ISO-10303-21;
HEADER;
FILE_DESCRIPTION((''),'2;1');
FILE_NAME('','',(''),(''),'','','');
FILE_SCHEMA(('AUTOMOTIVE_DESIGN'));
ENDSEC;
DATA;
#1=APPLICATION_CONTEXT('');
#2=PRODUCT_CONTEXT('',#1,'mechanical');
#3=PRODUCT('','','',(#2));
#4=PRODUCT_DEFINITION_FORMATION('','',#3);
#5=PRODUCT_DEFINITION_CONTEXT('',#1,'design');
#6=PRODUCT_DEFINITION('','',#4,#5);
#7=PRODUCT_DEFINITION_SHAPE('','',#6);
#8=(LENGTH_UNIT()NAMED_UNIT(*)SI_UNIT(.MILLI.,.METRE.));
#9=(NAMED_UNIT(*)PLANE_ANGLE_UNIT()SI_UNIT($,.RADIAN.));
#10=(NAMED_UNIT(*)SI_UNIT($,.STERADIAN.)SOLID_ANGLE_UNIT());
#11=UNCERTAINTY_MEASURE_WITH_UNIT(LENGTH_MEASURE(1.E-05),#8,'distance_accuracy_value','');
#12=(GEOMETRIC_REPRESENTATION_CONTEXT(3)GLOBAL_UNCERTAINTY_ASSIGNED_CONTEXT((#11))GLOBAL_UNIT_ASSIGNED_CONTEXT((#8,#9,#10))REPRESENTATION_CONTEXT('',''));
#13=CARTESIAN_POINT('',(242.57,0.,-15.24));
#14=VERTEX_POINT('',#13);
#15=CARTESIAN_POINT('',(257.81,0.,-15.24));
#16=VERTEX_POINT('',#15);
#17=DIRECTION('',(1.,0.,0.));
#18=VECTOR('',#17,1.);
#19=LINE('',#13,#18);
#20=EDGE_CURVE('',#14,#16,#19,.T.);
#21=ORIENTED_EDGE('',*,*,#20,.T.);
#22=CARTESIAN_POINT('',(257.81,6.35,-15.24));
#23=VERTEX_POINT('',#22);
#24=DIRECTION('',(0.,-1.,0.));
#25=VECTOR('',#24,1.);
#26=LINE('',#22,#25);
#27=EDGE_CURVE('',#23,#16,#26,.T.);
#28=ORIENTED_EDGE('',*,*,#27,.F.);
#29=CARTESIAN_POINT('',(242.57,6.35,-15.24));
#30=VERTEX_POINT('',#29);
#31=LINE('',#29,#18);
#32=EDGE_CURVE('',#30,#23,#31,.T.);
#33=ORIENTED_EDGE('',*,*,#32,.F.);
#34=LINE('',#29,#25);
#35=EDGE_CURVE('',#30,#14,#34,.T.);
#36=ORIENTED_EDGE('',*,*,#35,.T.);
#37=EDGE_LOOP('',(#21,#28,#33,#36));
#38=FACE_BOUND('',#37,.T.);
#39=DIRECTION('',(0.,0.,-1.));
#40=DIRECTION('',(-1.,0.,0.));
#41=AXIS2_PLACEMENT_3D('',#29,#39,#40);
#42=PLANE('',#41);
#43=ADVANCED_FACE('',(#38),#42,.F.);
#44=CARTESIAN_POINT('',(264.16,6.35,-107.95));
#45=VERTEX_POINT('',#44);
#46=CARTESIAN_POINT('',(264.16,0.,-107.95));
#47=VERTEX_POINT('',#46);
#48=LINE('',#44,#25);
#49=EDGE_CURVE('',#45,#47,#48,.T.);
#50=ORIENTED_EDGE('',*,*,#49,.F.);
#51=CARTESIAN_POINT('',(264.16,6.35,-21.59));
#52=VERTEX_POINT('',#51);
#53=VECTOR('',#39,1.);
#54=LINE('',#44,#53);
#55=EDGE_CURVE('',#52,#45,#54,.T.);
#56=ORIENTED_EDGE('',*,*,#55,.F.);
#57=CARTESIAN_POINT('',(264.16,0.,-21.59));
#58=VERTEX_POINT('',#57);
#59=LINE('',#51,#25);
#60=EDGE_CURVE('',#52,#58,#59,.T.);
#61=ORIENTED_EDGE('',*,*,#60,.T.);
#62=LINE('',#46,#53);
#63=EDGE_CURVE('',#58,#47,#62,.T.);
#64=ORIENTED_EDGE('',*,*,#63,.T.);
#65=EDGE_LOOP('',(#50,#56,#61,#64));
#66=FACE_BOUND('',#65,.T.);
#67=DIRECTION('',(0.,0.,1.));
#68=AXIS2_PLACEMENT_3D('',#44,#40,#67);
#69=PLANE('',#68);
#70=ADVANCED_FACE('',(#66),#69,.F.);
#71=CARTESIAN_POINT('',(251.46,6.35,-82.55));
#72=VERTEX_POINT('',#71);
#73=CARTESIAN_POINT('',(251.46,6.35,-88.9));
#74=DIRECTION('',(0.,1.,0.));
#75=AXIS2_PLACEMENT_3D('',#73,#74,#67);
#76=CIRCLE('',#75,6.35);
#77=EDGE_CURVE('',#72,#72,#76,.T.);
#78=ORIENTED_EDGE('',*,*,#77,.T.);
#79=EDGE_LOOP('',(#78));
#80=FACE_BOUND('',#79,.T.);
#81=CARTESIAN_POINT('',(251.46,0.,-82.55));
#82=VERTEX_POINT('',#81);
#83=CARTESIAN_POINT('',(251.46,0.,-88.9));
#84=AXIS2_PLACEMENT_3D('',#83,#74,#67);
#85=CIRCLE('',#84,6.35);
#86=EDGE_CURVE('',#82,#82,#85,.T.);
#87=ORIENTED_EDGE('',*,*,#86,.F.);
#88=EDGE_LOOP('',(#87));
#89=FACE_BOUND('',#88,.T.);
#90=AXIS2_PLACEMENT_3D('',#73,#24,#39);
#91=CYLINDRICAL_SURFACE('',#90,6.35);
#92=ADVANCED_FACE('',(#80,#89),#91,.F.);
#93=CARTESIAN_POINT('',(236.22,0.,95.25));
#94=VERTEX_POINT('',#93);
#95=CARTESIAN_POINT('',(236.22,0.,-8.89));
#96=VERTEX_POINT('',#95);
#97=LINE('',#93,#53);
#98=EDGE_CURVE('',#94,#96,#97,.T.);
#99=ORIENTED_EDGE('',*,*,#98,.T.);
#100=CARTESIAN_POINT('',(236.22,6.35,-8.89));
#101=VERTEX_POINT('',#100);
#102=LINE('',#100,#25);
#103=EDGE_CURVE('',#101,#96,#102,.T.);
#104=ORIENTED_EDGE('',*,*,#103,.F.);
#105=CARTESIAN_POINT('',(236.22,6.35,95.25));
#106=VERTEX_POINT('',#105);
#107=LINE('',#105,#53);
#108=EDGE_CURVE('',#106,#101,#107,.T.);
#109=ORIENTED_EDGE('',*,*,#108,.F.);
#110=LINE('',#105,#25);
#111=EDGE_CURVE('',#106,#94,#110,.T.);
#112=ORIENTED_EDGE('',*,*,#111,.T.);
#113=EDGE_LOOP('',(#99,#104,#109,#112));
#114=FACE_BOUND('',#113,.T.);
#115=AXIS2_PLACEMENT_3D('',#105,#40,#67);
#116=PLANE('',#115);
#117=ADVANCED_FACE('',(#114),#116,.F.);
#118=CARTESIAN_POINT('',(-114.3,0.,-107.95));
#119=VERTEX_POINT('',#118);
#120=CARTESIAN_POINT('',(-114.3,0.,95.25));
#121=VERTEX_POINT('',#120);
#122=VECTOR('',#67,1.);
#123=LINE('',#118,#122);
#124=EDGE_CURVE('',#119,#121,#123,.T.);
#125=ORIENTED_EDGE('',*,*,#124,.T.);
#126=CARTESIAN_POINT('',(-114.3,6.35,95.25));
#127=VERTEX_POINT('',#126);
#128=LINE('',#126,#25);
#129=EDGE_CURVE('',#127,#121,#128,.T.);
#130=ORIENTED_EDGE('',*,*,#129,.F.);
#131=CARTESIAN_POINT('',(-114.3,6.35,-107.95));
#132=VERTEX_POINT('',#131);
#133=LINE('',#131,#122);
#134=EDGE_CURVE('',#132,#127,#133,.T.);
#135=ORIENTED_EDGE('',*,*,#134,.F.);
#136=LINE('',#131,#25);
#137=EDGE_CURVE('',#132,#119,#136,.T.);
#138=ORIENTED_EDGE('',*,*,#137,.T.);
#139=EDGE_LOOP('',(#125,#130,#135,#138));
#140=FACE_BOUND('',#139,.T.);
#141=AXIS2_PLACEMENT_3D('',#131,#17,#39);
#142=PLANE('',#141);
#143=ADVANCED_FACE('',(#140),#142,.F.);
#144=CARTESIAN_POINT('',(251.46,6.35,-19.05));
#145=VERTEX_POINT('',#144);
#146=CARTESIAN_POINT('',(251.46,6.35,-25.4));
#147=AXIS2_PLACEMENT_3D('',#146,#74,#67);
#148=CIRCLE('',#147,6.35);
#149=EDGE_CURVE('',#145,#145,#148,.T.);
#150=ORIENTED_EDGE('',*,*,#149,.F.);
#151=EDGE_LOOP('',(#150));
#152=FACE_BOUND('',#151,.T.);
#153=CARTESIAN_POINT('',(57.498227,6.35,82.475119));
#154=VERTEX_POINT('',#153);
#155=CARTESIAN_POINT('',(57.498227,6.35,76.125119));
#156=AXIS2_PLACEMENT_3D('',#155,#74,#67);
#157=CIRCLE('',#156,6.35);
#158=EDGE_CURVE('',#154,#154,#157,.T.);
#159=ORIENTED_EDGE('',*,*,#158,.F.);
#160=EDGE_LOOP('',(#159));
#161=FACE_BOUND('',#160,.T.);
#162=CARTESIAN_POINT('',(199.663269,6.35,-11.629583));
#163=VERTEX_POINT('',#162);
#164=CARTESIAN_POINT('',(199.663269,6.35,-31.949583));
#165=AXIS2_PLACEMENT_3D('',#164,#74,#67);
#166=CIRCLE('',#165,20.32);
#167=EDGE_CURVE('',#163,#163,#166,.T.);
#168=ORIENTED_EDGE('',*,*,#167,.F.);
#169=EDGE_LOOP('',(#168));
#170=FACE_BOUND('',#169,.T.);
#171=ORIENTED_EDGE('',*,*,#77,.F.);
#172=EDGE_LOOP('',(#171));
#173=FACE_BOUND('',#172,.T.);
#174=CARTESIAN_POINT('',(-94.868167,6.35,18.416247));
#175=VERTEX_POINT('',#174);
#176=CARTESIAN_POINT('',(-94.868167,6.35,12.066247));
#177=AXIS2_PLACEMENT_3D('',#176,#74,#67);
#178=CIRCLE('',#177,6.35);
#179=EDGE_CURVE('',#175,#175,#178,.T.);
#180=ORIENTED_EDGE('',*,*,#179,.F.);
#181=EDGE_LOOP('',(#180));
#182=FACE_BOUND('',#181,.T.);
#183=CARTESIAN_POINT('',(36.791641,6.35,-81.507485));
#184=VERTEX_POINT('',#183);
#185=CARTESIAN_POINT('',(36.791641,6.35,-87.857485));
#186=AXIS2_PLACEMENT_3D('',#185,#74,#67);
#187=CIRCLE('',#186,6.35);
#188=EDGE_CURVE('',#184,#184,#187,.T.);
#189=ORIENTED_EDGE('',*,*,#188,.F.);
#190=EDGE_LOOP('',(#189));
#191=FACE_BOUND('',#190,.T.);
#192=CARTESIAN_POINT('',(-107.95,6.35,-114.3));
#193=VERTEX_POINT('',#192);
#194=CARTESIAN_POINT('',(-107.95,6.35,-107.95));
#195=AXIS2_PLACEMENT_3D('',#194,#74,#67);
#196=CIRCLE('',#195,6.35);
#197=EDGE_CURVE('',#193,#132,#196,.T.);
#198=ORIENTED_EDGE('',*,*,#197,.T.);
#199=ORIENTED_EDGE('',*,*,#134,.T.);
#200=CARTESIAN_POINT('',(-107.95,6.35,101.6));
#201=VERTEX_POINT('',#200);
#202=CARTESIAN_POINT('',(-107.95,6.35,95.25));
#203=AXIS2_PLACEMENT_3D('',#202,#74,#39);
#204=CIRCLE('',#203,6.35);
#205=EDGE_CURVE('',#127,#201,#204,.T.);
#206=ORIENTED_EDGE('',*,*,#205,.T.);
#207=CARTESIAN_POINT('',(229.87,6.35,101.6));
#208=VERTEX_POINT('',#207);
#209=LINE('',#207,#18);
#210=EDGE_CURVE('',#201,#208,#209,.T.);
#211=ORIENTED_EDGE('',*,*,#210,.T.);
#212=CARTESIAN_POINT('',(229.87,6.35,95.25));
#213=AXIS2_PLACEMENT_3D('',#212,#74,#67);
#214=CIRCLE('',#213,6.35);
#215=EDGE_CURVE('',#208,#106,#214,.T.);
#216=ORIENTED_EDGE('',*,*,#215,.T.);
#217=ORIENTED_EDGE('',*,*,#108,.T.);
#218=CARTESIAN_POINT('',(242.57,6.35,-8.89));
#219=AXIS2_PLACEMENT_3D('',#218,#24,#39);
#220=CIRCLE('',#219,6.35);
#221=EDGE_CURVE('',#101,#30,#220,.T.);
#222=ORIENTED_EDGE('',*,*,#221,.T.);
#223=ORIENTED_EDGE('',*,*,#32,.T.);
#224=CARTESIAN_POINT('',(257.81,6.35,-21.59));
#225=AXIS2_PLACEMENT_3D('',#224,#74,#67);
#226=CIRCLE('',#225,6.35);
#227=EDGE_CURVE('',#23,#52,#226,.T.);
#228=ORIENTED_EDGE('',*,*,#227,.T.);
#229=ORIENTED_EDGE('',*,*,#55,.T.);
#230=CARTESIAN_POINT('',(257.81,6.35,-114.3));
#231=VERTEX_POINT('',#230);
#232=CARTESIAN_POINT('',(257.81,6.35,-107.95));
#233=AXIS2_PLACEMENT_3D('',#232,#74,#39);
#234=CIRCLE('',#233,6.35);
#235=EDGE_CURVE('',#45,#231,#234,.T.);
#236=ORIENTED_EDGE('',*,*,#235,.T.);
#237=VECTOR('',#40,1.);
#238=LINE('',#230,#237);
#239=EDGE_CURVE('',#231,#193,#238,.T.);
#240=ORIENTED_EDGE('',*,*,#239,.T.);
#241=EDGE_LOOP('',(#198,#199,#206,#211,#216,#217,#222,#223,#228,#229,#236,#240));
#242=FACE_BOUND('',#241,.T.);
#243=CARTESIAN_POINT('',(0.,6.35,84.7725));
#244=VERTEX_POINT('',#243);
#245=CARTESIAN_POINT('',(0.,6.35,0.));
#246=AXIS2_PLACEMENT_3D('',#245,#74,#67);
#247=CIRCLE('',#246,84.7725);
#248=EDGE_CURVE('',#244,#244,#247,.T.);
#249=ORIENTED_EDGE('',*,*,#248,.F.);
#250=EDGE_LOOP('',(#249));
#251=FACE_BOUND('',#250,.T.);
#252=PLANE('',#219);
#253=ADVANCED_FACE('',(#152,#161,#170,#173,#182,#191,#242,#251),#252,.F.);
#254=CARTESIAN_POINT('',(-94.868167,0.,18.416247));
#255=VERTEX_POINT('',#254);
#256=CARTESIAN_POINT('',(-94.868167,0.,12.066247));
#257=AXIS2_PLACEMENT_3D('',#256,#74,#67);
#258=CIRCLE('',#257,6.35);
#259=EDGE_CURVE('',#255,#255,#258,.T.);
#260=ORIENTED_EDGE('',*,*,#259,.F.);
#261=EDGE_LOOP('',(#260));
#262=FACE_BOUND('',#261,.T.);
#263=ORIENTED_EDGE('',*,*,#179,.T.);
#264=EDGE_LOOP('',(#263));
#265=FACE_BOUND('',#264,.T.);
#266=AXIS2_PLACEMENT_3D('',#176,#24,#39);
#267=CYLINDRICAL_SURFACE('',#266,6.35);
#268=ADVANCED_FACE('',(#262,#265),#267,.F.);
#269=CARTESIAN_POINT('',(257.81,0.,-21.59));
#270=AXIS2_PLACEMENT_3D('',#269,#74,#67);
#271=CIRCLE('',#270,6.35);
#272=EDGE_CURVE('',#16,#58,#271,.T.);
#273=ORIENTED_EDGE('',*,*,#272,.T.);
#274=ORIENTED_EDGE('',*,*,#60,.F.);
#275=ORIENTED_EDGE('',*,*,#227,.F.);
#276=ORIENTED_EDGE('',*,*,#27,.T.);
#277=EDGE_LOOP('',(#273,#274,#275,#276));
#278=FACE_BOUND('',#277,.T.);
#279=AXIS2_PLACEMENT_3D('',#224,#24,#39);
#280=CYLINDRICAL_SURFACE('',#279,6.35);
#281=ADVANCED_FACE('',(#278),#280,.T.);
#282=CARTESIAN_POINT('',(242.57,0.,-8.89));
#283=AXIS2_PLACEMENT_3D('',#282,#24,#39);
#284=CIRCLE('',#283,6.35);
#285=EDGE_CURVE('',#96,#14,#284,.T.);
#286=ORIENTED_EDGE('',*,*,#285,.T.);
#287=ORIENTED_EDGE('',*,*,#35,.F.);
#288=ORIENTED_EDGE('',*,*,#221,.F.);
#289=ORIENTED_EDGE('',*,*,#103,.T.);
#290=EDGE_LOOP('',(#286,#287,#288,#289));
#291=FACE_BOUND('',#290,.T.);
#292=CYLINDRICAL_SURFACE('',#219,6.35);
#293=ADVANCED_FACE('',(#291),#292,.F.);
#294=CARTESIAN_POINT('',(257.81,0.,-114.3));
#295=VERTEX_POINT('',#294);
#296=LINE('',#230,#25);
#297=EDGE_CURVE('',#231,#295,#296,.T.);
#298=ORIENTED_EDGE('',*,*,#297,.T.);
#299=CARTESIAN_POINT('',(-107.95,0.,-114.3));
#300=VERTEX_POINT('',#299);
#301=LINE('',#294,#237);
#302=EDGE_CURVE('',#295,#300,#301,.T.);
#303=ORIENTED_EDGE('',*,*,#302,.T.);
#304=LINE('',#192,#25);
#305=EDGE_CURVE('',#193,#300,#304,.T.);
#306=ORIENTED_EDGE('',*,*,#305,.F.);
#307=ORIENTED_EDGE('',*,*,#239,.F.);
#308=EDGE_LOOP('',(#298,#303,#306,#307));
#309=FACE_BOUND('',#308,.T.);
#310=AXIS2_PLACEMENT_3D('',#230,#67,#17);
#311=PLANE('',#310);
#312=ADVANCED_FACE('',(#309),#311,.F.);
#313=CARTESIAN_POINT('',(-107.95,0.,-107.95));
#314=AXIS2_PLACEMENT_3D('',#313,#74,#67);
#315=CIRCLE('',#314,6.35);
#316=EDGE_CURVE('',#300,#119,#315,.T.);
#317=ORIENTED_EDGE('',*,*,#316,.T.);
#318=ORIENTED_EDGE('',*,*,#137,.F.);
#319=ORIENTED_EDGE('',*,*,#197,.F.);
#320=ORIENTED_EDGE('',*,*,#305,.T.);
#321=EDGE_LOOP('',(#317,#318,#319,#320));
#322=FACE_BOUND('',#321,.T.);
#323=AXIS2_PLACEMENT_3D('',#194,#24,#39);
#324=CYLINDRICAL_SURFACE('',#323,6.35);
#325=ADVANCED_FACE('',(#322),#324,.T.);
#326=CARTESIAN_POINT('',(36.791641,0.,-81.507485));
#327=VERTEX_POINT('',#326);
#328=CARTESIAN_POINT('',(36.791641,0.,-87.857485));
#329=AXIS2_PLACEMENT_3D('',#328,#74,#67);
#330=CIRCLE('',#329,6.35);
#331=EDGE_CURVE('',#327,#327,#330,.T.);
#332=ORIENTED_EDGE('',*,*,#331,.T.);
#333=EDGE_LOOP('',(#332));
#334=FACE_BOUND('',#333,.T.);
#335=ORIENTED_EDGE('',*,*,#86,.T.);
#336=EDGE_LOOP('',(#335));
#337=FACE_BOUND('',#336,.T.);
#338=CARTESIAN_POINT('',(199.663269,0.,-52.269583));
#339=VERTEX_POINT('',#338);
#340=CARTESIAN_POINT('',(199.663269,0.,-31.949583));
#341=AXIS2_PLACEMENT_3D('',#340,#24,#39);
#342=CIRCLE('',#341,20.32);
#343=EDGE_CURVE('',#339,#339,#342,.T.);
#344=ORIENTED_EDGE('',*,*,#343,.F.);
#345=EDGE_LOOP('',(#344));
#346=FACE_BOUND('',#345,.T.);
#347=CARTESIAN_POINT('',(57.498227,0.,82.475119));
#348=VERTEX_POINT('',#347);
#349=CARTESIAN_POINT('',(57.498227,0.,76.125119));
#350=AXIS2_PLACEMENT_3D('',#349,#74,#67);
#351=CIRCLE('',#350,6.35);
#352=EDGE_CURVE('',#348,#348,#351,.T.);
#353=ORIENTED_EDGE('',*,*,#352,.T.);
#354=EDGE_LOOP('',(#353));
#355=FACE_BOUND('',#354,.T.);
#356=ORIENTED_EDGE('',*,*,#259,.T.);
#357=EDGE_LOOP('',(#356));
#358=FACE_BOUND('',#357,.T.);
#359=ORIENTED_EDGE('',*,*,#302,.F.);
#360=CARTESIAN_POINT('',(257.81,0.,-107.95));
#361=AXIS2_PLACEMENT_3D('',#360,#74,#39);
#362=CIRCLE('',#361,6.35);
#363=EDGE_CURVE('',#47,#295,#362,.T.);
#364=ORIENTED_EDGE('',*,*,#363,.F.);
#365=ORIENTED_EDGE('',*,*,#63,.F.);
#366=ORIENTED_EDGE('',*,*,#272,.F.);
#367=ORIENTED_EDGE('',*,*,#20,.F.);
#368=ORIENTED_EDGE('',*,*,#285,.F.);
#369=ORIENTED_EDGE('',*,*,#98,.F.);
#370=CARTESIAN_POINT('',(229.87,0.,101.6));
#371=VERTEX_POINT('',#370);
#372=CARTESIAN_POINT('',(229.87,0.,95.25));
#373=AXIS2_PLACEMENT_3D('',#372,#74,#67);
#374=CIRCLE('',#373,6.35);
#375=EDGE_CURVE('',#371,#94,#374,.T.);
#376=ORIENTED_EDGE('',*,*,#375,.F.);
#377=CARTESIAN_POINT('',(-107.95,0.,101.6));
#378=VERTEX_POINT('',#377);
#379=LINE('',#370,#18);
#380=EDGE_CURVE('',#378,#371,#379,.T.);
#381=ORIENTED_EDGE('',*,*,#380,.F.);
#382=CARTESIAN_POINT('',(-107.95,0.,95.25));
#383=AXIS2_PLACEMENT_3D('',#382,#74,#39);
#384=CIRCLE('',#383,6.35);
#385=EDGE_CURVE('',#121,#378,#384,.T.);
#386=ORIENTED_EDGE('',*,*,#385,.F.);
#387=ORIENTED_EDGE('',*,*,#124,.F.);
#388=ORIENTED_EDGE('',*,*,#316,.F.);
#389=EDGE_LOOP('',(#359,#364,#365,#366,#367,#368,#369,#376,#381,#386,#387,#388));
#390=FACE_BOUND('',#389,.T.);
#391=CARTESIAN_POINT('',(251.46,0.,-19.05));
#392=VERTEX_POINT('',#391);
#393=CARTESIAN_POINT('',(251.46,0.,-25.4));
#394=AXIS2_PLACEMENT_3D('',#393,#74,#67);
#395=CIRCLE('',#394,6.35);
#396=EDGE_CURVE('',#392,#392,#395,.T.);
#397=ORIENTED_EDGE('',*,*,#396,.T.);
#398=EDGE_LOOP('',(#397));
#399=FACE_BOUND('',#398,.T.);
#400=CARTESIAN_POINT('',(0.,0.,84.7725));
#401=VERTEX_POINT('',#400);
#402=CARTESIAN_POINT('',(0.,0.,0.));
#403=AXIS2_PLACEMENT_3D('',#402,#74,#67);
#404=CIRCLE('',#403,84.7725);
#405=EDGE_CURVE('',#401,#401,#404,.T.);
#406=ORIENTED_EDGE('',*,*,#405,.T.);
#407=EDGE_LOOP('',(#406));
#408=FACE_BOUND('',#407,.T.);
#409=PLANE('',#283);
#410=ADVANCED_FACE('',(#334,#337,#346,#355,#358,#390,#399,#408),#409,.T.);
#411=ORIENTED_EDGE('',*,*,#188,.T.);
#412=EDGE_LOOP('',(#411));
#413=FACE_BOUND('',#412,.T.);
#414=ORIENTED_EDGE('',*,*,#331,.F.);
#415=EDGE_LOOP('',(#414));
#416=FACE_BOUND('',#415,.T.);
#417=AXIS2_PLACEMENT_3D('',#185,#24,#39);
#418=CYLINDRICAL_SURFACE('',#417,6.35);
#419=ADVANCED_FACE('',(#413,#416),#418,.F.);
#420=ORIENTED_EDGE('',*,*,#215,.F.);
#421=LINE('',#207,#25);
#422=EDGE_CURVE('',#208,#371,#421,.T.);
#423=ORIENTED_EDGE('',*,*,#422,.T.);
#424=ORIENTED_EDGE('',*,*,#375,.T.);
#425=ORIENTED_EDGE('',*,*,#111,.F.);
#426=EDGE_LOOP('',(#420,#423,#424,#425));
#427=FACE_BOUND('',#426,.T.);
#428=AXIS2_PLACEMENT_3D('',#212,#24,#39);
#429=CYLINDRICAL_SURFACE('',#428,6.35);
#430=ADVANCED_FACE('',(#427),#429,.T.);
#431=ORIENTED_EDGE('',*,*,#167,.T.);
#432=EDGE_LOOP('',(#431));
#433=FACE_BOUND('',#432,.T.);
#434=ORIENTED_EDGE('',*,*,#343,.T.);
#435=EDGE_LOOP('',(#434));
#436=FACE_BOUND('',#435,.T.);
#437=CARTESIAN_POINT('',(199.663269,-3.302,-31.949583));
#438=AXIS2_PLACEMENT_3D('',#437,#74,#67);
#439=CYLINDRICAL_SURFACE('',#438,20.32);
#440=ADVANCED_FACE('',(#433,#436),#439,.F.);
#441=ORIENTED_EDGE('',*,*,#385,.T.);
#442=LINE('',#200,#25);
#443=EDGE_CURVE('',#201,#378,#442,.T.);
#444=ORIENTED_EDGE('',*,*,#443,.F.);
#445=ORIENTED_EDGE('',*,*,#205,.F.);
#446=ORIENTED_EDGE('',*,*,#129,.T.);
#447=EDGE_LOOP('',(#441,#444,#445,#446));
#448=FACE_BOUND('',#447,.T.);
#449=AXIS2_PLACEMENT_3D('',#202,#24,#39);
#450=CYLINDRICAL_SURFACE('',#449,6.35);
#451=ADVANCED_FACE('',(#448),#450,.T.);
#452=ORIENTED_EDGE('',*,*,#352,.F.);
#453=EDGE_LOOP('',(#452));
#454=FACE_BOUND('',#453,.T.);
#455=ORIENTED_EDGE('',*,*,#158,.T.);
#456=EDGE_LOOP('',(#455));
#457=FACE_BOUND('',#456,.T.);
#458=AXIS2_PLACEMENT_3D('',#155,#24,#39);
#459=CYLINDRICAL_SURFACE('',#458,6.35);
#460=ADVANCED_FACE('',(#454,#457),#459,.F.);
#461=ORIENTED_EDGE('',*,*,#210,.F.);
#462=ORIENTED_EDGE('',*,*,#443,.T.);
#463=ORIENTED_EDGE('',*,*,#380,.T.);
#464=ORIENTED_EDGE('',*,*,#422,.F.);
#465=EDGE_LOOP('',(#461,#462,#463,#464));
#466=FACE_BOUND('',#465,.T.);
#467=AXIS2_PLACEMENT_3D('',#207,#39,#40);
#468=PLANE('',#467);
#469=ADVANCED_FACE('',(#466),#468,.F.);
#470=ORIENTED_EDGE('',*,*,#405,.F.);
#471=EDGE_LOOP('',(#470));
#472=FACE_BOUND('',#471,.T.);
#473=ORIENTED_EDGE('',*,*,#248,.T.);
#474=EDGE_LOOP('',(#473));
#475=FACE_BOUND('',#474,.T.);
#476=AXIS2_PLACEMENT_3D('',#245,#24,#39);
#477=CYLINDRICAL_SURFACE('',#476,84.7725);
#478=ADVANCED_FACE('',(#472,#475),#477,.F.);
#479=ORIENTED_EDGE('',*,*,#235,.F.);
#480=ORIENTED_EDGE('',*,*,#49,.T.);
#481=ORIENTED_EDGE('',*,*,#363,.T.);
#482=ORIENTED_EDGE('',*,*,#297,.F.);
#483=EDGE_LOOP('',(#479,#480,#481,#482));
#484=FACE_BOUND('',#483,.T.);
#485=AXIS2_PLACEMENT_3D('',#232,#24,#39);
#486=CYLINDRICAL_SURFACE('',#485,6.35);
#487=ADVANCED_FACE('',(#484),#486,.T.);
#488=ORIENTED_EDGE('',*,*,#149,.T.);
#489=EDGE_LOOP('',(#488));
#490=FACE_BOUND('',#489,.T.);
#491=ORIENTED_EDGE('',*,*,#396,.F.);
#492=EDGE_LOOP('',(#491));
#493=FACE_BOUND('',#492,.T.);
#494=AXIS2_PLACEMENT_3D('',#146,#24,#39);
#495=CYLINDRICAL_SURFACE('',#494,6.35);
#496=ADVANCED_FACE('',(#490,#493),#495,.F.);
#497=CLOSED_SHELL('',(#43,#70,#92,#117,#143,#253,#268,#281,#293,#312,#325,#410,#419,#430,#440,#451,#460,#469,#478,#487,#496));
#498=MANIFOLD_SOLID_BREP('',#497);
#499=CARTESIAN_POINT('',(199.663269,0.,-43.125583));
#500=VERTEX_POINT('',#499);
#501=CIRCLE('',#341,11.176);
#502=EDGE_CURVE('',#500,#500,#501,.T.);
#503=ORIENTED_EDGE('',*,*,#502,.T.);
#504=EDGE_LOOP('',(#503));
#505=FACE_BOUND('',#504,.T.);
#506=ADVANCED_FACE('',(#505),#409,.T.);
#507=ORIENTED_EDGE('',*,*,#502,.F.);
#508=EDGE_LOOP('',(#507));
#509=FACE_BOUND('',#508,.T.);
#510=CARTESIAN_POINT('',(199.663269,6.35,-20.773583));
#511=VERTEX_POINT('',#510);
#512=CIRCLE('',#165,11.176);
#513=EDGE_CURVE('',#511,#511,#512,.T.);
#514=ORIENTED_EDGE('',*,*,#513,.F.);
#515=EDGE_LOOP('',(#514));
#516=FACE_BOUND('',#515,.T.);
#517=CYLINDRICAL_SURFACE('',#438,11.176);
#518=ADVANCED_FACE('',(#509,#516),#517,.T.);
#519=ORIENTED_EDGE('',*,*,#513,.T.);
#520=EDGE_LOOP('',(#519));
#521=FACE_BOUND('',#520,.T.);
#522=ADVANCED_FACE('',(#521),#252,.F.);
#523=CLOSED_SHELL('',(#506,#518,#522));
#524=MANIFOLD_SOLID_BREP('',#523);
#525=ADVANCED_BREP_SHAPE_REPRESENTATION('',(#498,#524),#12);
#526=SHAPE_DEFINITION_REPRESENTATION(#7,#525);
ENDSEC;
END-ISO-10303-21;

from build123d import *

# Parameters (mm, degrees)
SKETCH1_R           = 84.7725
SKETCH1_R_2         = 6.35
BOSS_EXTRUDE1_DEPTH = 6.35
SKETCH4_R           = 20.32
SKETCH4_R_2         = 11.176
CUT_EXTRUDE1_DEPTH  = 9.652


with BuildPart() as part:
    # Sketch1 → Boss-Extrude1 (new body)
    with BuildSketch(Plane(origin=(0, 0, 0), x_dir=(1, 0, 0), z_dir=(0, 1, 0))):
        with BuildLine():
            Line((257.81, 114.3), (-107.95, 114.3))
            ThreePointArc((-107.95, 114.3), (-112.440128061, 112.440128061), (-114.3, 107.95))
            Line((-114.3, 107.95), (-114.3, -95.25))
            ThreePointArc((-114.3, -95.25), (-112.440128061, -99.740128061), (-107.95, -101.6))
            Line((-107.95, -101.6), (229.87, -101.6))
            ThreePointArc((229.87, -101.6), (234.360128061, -99.740128061), (236.22, -95.25))
            Line((236.22, -95.25), (236.22, 8.89))
            ThreePointArc((236.22, 8.89), (238.079871939, 13.380128061), (242.57, 15.24))
            Line((242.57, 15.24), (257.81, 15.24))
            ThreePointArc((257.81, 15.24), (262.300128061, 17.099871939), (264.16, 21.59))
            Line((264.16, 21.59), (264.16, 107.95))
            ThreePointArc((264.16, 107.95), (262.300128061, 112.440128061), (257.81, 114.3))
        make_face()
        Circle(SKETCH1_R, mode=Mode.SUBTRACT)
        with Locations((-94.868167092, -12.066247058)):
            Circle(SKETCH1_R_2, mode=Mode.SUBTRACT)
        with Locations((36.791640664, 87.857485038)):
            Circle(SKETCH1_R_2, mode=Mode.SUBTRACT)
        with Locations((57.498227222, -76.125119184)):
            Circle(SKETCH1_R_2, mode=Mode.SUBTRACT)
        with Locations((251.46, 88.9)):
            Circle(SKETCH1_R_2, mode=Mode.SUBTRACT)
        with Locations((251.46, 25.4)):
            Circle(SKETCH1_R_2, mode=Mode.SUBTRACT)
    extrude(amount=BOSS_EXTRUDE1_DEPTH)

    # Sketch4 → Cut-Extrude1 (cut)
    with BuildSketch(Plane(origin=(0, 6.35, 0), x_dir=(1, 0, 0), z_dir=(0, 1, 0))):
        with Locations((199.663269189, 31.949583289)):
            Circle(SKETCH4_R)
        with Locations((199.663269189, 31.949583289)):
            Circle(SKETCH4_R_2, mode=Mode.SUBTRACT)
    extrude(amount=-CUT_EXTRUDE1_DEPTH, mode=Mode.SUBTRACT)


solid = part.part
